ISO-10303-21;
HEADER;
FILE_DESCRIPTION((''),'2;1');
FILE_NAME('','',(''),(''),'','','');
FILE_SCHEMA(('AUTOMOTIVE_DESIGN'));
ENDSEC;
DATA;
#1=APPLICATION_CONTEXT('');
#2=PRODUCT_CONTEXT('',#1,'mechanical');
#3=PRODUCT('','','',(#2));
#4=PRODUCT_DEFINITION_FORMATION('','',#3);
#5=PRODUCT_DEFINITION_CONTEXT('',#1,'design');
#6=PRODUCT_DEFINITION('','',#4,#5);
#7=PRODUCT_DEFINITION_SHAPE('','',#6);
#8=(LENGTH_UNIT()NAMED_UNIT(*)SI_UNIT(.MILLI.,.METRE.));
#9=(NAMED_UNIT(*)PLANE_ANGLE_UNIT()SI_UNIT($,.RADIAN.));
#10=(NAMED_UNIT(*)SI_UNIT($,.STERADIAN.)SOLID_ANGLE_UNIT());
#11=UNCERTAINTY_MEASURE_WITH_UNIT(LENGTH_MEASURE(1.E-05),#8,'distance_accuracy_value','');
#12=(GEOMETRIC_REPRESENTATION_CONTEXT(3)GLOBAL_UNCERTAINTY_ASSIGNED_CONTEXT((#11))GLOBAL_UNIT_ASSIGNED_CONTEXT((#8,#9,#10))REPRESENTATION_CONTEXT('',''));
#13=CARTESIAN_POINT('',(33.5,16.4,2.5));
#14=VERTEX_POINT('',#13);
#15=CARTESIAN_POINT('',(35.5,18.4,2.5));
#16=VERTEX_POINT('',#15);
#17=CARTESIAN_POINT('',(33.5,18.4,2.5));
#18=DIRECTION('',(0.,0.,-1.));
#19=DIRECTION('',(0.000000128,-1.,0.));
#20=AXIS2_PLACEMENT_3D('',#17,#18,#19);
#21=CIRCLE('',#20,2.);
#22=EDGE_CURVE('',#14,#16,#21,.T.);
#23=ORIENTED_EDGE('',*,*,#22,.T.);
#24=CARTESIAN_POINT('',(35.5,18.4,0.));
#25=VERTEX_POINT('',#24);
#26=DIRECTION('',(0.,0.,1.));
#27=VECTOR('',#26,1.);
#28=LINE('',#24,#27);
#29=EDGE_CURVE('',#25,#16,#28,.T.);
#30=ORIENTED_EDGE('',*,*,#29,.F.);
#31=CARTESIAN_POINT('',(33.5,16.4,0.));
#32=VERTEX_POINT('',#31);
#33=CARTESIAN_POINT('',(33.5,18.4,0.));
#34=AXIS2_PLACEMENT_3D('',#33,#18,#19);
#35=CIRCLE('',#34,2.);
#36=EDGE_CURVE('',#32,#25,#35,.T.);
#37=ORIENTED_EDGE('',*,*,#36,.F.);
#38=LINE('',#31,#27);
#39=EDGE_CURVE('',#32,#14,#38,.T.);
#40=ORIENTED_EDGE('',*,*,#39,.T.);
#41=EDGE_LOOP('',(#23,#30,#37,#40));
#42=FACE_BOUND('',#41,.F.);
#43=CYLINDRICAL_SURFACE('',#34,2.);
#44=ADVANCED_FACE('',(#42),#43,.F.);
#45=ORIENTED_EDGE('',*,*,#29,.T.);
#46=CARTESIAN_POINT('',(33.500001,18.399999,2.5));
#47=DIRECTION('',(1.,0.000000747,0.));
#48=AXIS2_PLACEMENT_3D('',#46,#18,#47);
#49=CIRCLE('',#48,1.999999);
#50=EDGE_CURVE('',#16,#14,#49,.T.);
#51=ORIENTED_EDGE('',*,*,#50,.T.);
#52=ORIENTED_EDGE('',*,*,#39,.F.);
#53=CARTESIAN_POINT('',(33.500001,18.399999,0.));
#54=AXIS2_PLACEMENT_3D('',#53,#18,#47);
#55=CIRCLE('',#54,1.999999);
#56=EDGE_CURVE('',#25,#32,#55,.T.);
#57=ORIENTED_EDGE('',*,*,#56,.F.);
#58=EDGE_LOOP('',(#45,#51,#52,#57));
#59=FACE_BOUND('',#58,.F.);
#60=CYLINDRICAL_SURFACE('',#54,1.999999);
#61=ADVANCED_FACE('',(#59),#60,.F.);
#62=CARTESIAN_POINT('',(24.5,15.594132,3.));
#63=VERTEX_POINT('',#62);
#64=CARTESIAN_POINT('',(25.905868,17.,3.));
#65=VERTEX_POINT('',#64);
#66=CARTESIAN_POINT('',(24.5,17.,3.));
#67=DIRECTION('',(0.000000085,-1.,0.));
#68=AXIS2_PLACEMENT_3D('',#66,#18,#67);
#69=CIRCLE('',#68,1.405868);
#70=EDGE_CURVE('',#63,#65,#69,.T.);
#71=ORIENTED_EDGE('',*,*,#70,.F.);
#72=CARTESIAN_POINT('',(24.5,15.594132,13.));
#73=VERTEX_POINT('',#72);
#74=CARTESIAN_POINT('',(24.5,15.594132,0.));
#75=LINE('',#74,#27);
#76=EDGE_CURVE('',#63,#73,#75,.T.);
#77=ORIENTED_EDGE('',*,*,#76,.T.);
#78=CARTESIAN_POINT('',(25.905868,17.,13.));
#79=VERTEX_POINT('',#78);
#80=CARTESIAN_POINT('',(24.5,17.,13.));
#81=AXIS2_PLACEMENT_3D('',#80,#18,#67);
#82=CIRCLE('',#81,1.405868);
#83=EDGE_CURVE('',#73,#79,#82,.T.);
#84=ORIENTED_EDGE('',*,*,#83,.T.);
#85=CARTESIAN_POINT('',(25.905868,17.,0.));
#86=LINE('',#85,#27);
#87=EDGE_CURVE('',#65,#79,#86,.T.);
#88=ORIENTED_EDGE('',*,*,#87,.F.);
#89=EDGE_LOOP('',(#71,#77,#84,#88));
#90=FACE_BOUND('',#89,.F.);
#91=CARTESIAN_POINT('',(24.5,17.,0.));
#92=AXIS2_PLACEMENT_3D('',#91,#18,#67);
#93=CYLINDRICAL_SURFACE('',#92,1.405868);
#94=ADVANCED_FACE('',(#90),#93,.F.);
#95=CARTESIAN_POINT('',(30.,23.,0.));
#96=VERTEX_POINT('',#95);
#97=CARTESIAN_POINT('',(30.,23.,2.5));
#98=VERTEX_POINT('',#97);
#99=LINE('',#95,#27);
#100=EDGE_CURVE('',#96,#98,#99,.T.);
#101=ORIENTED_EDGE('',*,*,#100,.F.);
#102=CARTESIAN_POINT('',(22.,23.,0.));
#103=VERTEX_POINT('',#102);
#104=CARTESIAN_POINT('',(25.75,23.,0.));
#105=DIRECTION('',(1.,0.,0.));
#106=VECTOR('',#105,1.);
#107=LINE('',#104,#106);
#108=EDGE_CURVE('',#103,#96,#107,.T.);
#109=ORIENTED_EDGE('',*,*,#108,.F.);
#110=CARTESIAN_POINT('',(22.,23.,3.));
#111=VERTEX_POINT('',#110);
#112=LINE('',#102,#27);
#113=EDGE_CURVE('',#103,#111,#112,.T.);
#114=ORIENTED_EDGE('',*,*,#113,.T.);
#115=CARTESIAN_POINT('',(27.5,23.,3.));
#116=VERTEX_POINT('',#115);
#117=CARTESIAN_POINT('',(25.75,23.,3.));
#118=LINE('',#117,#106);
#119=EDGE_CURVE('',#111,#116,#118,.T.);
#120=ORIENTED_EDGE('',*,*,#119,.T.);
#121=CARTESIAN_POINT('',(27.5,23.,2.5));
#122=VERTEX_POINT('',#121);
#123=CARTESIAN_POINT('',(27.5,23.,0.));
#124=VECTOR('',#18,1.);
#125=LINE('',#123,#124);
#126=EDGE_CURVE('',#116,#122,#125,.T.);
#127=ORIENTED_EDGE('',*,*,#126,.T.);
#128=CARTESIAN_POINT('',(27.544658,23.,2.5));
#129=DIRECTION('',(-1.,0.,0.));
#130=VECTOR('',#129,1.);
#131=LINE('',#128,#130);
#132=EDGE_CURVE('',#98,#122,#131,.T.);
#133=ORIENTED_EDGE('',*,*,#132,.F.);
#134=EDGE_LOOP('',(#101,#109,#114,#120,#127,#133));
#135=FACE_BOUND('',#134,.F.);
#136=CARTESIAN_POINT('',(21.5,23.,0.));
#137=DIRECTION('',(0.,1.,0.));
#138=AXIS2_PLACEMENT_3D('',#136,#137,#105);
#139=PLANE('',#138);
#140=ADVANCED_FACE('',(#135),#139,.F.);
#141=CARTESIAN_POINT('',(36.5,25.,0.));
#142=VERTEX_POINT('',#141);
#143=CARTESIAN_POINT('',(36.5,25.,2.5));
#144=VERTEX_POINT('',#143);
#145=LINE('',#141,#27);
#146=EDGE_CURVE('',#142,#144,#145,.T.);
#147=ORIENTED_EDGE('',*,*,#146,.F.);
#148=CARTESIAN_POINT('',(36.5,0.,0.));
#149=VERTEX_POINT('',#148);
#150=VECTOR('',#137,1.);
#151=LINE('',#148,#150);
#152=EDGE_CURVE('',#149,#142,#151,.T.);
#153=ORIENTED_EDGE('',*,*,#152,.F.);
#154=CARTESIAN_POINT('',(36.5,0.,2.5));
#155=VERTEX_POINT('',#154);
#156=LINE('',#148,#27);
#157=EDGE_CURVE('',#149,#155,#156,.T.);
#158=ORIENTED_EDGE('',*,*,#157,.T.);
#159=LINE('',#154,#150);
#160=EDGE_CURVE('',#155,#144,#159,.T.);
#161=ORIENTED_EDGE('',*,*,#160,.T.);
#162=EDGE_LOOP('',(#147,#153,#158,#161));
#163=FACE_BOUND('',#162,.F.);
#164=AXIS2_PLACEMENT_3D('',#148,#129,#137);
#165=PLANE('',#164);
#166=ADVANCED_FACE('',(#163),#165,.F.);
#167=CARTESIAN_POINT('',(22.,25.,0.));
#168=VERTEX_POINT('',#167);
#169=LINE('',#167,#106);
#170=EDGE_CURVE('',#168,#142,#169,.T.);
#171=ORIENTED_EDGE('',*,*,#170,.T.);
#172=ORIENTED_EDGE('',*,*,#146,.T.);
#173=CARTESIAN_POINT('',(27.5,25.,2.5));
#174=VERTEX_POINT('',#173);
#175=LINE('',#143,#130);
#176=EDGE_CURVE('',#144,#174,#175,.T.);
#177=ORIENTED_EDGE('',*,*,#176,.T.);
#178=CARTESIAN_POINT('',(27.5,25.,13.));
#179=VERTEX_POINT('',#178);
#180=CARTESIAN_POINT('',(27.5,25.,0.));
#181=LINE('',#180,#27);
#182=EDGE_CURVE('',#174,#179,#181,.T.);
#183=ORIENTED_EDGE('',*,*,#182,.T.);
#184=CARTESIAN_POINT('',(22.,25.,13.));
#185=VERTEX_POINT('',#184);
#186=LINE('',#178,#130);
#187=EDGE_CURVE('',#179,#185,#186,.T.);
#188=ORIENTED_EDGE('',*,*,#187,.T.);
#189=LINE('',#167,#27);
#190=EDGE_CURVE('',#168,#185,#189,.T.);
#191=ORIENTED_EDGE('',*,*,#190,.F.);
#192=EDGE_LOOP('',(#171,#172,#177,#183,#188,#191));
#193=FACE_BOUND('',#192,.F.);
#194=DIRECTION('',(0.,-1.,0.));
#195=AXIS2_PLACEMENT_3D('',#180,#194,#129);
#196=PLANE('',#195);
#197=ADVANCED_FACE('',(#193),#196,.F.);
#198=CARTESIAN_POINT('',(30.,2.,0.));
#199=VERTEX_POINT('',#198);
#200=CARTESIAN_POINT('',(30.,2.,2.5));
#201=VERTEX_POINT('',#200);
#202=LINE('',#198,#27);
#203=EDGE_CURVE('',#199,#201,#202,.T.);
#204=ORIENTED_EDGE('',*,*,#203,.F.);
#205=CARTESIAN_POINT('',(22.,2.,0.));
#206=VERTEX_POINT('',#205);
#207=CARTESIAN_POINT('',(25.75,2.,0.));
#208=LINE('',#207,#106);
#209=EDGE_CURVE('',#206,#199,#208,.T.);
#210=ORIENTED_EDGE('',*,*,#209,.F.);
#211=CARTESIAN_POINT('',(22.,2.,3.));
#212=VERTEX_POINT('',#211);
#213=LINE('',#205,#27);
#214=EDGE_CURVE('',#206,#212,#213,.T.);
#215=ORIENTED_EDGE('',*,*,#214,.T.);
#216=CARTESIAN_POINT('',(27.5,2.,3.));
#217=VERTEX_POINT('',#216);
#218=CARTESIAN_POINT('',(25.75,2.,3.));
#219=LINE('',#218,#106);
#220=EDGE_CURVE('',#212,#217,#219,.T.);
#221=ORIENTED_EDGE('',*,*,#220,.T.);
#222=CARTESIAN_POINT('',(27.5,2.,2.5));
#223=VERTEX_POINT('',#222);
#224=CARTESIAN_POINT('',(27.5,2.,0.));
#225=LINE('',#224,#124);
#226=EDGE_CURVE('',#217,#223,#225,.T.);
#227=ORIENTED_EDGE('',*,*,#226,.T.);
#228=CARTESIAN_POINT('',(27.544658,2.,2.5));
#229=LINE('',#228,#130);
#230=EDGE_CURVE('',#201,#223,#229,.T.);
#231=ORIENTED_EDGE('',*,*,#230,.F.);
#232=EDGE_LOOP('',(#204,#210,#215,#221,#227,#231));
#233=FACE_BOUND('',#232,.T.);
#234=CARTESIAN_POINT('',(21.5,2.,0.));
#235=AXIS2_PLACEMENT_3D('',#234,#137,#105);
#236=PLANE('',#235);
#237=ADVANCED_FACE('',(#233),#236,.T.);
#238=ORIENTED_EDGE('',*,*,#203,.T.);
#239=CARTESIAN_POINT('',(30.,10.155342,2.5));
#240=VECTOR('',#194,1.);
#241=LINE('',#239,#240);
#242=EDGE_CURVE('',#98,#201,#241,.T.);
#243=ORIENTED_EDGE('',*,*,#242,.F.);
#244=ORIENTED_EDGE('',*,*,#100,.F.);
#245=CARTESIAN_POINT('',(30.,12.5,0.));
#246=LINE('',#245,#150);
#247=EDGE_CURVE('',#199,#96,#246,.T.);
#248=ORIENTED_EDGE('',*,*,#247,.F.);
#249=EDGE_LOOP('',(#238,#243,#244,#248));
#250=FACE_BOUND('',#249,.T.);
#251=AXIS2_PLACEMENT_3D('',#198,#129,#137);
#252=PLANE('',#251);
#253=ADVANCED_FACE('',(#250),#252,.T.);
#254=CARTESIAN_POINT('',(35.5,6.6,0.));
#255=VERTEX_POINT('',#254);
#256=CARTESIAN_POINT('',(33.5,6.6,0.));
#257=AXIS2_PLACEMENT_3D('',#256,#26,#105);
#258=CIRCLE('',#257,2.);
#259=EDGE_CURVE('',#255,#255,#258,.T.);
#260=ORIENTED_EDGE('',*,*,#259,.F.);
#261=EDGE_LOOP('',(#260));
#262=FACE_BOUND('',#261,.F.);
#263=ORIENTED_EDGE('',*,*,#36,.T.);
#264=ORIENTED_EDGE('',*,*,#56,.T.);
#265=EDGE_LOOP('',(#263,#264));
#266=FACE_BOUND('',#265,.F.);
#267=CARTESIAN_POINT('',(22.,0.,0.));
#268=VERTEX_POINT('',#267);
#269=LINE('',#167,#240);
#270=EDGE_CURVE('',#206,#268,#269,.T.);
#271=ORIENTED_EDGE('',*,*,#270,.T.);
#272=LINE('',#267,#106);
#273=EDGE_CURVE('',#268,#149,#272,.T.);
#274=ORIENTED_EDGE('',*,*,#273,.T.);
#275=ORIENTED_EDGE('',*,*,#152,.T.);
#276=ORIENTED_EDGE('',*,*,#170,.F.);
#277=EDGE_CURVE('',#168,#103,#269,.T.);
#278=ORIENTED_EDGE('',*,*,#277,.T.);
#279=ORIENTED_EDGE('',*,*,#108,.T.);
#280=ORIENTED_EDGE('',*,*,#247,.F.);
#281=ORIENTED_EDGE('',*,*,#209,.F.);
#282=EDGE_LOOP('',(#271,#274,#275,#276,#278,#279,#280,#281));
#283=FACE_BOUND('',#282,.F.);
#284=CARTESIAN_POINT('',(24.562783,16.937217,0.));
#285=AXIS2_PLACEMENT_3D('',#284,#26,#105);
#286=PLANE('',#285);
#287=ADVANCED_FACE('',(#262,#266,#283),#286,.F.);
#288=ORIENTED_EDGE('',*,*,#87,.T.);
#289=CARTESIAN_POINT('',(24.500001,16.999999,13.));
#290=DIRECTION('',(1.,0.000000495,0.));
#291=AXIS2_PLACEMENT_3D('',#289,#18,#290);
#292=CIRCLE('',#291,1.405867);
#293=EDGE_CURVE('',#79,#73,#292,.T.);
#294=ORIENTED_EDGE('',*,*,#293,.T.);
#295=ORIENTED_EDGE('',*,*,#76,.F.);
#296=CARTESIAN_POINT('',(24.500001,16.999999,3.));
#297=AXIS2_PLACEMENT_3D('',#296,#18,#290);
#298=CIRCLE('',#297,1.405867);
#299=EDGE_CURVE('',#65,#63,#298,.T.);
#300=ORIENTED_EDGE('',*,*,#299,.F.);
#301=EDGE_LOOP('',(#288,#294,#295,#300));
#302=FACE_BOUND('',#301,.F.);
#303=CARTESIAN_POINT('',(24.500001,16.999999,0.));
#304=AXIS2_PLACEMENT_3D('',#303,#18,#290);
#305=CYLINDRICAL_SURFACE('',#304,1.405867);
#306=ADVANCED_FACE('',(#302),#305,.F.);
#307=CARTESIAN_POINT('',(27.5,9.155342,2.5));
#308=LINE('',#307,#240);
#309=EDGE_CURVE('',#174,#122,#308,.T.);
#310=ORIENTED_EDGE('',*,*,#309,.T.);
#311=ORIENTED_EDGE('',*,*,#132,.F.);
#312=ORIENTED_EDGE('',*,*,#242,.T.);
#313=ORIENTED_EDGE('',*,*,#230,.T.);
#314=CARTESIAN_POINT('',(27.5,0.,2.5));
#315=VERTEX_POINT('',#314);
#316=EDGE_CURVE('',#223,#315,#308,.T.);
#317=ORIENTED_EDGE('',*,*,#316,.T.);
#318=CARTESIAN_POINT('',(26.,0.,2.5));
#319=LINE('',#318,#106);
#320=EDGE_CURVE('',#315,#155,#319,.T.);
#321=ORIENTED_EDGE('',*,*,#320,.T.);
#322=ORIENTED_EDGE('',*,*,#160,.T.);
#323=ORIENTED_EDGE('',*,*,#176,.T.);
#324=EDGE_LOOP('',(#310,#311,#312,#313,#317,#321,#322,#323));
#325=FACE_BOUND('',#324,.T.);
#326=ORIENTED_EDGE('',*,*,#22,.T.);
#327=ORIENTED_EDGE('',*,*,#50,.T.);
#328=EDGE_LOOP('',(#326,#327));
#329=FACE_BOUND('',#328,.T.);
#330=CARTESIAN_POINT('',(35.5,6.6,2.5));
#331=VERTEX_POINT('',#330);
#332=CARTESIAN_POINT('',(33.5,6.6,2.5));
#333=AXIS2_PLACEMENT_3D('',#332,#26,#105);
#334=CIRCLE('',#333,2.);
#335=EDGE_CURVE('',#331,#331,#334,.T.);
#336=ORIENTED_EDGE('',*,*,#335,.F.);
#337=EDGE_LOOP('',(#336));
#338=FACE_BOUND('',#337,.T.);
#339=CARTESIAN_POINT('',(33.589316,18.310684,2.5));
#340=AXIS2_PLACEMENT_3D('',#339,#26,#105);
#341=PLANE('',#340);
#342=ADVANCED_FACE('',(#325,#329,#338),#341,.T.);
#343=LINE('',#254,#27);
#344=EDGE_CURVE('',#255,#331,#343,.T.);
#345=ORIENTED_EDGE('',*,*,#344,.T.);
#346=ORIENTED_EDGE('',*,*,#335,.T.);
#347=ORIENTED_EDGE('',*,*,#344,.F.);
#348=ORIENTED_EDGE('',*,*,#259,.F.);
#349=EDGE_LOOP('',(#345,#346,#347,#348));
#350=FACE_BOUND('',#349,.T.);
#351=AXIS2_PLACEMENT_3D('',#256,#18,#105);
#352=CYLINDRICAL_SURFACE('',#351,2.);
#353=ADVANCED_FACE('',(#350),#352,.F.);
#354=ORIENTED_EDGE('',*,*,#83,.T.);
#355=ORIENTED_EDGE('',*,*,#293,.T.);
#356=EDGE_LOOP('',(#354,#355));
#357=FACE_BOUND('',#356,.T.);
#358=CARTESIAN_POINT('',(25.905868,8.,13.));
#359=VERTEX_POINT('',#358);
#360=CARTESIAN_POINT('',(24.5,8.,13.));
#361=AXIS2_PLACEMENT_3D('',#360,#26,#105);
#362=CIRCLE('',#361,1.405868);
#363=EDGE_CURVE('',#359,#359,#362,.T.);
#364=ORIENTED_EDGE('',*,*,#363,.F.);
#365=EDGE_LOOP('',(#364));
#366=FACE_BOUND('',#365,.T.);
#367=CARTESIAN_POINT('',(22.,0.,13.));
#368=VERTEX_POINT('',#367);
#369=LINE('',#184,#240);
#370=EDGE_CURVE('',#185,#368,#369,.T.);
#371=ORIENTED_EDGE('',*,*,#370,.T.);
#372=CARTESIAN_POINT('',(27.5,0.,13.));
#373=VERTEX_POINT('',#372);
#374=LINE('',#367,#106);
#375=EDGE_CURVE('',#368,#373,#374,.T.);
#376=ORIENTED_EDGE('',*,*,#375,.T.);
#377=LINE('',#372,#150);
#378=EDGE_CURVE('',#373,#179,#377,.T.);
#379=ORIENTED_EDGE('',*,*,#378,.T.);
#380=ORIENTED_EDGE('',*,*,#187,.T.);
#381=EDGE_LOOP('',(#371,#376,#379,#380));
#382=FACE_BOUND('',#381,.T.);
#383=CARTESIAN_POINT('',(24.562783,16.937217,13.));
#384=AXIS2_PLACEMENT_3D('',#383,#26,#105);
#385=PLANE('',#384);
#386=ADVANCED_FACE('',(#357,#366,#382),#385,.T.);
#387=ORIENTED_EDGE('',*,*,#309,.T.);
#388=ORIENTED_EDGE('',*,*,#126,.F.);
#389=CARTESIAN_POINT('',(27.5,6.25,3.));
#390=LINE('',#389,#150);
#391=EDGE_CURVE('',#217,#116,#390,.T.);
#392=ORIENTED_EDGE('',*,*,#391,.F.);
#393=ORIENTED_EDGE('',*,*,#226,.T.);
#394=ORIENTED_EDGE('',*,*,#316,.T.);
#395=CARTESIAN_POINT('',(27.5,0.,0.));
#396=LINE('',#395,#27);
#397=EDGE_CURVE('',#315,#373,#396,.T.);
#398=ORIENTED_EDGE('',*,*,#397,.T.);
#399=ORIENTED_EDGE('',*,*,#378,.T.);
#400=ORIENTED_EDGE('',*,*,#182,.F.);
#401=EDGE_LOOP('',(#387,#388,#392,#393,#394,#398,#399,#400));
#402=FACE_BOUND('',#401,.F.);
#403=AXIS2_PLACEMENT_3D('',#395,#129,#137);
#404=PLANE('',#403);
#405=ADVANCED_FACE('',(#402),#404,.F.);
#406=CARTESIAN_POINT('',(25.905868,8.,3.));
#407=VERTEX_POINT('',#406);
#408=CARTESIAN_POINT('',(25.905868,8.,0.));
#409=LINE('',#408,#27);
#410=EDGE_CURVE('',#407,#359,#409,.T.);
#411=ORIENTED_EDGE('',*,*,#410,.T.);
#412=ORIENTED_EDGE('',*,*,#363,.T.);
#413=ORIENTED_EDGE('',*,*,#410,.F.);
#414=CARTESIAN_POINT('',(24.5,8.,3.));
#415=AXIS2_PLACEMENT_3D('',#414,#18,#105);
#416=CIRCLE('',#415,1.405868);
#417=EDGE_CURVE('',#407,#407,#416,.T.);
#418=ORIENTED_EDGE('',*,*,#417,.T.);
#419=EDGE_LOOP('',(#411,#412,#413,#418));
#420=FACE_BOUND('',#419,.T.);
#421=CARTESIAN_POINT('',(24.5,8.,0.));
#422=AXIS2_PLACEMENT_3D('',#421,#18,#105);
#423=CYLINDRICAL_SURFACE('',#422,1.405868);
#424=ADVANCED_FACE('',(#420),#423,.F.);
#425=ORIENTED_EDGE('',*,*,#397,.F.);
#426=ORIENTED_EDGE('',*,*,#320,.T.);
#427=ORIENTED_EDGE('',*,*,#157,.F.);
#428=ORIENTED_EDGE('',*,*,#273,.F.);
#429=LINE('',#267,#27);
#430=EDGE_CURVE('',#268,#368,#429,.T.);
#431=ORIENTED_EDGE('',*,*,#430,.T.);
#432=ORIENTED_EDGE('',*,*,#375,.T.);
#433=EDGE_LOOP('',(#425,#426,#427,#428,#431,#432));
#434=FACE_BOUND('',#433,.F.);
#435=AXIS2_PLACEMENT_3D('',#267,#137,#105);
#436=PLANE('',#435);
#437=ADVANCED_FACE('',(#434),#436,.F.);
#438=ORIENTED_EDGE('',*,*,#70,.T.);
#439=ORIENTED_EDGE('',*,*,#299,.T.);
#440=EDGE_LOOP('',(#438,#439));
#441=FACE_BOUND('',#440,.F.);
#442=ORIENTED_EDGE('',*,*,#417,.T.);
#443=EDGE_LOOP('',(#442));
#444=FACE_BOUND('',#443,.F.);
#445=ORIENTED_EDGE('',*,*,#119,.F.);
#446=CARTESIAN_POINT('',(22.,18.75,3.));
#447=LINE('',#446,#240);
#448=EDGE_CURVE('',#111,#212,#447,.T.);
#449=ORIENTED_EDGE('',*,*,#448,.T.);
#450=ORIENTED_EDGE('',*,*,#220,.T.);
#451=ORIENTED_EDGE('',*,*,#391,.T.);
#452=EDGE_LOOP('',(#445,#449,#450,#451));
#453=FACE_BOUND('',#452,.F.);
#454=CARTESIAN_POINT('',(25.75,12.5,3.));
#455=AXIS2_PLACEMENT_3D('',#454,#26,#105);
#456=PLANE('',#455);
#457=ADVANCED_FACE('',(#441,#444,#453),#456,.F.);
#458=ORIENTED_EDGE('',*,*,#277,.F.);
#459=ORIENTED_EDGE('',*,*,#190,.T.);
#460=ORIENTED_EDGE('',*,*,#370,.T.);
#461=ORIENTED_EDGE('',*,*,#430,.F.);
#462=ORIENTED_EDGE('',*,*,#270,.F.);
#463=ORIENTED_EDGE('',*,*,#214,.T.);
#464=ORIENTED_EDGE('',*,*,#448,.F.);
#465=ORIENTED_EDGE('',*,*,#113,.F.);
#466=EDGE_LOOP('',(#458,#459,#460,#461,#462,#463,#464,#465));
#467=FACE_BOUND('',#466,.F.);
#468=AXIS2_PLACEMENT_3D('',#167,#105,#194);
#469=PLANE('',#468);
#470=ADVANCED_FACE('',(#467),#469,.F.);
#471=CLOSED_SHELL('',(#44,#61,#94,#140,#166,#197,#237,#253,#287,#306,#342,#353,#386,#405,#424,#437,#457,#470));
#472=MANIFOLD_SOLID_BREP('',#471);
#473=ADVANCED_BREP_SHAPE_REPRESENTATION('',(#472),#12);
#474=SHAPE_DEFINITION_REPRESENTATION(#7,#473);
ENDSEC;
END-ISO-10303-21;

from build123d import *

# Parameters (mm, degrees)
F0_R     = 2
F1_DEPTH = 2.5
F2_R     = 1.405868
F3_DEPTH = 13
F4_W     = 8.5
F4_H     = 21
F5_DEPTH = 3


with BuildPart() as f1:
    # F0 (on Top) → F1 (new body)
    with BuildSketch(Plane.XY):
        with BuildLine():
            ThreePointArc((35.5, 18.4), (32.085786, 19.814214), (33.5, 16.4))
            ThreePointArc((33.5, 16.4), (34.914214, 16.985786), (35.5, 18.4))
        make_face()
        Polygon((26, 12.5), (26, 0), (36.5, 0), (36.5, 25), (26, 25), align=None)
        with Locations((33.5, 6.6)):
            Circle(F0_R, mode=Mode.SUBTRACT)
        with BuildLine():
            ThreePointArc((35.5, 18.4), (34.914214, 16.985786), (33.5, 16.4))
            ThreePointArc((33.5, 16.4), (32.085786, 19.814214), (35.5, 18.4))
        make_face(mode=Mode.SUBTRACT)
    extrude(amount=F1_DEPTH)

    # F2 (on Top) → F3 (join)
    with BuildSketch(Plane.XY):
        with BuildLine():
            ThreePointArc((25.905868, 17), (23.505901, 17.994099), (24.5, 15.594132))
            ThreePointArc((24.5, 15.594132), (25.494099, 16.005901), (25.905868, 17))
        make_face()
        Polygon((22, 12.5), (22, 0), (27.5, 0), (27.5, 25), (22, 25), align=None)
        with Locations((24.5, 8)):
            Circle(F2_R, mode=Mode.SUBTRACT)
        with BuildLine():
            ThreePointArc((25.905868, 17), (25.494099, 16.005901), (24.5, 15.594132))
            ThreePointArc((24.5, 15.594132), (23.505901, 17.994099), (25.905868, 17))
        make_face(mode=Mode.SUBTRACT)
    extrude(amount=F3_DEPTH)

    # F4 (on Top) → F5 (cut)
    with BuildSketch(Plane.XY):
        with Locations((25.75, 12.5)):
            Rectangle(F4_W, F4_H)
    extrude(amount=F5_DEPTH, mode=Mode.SUBTRACT)


solid = f1.part
